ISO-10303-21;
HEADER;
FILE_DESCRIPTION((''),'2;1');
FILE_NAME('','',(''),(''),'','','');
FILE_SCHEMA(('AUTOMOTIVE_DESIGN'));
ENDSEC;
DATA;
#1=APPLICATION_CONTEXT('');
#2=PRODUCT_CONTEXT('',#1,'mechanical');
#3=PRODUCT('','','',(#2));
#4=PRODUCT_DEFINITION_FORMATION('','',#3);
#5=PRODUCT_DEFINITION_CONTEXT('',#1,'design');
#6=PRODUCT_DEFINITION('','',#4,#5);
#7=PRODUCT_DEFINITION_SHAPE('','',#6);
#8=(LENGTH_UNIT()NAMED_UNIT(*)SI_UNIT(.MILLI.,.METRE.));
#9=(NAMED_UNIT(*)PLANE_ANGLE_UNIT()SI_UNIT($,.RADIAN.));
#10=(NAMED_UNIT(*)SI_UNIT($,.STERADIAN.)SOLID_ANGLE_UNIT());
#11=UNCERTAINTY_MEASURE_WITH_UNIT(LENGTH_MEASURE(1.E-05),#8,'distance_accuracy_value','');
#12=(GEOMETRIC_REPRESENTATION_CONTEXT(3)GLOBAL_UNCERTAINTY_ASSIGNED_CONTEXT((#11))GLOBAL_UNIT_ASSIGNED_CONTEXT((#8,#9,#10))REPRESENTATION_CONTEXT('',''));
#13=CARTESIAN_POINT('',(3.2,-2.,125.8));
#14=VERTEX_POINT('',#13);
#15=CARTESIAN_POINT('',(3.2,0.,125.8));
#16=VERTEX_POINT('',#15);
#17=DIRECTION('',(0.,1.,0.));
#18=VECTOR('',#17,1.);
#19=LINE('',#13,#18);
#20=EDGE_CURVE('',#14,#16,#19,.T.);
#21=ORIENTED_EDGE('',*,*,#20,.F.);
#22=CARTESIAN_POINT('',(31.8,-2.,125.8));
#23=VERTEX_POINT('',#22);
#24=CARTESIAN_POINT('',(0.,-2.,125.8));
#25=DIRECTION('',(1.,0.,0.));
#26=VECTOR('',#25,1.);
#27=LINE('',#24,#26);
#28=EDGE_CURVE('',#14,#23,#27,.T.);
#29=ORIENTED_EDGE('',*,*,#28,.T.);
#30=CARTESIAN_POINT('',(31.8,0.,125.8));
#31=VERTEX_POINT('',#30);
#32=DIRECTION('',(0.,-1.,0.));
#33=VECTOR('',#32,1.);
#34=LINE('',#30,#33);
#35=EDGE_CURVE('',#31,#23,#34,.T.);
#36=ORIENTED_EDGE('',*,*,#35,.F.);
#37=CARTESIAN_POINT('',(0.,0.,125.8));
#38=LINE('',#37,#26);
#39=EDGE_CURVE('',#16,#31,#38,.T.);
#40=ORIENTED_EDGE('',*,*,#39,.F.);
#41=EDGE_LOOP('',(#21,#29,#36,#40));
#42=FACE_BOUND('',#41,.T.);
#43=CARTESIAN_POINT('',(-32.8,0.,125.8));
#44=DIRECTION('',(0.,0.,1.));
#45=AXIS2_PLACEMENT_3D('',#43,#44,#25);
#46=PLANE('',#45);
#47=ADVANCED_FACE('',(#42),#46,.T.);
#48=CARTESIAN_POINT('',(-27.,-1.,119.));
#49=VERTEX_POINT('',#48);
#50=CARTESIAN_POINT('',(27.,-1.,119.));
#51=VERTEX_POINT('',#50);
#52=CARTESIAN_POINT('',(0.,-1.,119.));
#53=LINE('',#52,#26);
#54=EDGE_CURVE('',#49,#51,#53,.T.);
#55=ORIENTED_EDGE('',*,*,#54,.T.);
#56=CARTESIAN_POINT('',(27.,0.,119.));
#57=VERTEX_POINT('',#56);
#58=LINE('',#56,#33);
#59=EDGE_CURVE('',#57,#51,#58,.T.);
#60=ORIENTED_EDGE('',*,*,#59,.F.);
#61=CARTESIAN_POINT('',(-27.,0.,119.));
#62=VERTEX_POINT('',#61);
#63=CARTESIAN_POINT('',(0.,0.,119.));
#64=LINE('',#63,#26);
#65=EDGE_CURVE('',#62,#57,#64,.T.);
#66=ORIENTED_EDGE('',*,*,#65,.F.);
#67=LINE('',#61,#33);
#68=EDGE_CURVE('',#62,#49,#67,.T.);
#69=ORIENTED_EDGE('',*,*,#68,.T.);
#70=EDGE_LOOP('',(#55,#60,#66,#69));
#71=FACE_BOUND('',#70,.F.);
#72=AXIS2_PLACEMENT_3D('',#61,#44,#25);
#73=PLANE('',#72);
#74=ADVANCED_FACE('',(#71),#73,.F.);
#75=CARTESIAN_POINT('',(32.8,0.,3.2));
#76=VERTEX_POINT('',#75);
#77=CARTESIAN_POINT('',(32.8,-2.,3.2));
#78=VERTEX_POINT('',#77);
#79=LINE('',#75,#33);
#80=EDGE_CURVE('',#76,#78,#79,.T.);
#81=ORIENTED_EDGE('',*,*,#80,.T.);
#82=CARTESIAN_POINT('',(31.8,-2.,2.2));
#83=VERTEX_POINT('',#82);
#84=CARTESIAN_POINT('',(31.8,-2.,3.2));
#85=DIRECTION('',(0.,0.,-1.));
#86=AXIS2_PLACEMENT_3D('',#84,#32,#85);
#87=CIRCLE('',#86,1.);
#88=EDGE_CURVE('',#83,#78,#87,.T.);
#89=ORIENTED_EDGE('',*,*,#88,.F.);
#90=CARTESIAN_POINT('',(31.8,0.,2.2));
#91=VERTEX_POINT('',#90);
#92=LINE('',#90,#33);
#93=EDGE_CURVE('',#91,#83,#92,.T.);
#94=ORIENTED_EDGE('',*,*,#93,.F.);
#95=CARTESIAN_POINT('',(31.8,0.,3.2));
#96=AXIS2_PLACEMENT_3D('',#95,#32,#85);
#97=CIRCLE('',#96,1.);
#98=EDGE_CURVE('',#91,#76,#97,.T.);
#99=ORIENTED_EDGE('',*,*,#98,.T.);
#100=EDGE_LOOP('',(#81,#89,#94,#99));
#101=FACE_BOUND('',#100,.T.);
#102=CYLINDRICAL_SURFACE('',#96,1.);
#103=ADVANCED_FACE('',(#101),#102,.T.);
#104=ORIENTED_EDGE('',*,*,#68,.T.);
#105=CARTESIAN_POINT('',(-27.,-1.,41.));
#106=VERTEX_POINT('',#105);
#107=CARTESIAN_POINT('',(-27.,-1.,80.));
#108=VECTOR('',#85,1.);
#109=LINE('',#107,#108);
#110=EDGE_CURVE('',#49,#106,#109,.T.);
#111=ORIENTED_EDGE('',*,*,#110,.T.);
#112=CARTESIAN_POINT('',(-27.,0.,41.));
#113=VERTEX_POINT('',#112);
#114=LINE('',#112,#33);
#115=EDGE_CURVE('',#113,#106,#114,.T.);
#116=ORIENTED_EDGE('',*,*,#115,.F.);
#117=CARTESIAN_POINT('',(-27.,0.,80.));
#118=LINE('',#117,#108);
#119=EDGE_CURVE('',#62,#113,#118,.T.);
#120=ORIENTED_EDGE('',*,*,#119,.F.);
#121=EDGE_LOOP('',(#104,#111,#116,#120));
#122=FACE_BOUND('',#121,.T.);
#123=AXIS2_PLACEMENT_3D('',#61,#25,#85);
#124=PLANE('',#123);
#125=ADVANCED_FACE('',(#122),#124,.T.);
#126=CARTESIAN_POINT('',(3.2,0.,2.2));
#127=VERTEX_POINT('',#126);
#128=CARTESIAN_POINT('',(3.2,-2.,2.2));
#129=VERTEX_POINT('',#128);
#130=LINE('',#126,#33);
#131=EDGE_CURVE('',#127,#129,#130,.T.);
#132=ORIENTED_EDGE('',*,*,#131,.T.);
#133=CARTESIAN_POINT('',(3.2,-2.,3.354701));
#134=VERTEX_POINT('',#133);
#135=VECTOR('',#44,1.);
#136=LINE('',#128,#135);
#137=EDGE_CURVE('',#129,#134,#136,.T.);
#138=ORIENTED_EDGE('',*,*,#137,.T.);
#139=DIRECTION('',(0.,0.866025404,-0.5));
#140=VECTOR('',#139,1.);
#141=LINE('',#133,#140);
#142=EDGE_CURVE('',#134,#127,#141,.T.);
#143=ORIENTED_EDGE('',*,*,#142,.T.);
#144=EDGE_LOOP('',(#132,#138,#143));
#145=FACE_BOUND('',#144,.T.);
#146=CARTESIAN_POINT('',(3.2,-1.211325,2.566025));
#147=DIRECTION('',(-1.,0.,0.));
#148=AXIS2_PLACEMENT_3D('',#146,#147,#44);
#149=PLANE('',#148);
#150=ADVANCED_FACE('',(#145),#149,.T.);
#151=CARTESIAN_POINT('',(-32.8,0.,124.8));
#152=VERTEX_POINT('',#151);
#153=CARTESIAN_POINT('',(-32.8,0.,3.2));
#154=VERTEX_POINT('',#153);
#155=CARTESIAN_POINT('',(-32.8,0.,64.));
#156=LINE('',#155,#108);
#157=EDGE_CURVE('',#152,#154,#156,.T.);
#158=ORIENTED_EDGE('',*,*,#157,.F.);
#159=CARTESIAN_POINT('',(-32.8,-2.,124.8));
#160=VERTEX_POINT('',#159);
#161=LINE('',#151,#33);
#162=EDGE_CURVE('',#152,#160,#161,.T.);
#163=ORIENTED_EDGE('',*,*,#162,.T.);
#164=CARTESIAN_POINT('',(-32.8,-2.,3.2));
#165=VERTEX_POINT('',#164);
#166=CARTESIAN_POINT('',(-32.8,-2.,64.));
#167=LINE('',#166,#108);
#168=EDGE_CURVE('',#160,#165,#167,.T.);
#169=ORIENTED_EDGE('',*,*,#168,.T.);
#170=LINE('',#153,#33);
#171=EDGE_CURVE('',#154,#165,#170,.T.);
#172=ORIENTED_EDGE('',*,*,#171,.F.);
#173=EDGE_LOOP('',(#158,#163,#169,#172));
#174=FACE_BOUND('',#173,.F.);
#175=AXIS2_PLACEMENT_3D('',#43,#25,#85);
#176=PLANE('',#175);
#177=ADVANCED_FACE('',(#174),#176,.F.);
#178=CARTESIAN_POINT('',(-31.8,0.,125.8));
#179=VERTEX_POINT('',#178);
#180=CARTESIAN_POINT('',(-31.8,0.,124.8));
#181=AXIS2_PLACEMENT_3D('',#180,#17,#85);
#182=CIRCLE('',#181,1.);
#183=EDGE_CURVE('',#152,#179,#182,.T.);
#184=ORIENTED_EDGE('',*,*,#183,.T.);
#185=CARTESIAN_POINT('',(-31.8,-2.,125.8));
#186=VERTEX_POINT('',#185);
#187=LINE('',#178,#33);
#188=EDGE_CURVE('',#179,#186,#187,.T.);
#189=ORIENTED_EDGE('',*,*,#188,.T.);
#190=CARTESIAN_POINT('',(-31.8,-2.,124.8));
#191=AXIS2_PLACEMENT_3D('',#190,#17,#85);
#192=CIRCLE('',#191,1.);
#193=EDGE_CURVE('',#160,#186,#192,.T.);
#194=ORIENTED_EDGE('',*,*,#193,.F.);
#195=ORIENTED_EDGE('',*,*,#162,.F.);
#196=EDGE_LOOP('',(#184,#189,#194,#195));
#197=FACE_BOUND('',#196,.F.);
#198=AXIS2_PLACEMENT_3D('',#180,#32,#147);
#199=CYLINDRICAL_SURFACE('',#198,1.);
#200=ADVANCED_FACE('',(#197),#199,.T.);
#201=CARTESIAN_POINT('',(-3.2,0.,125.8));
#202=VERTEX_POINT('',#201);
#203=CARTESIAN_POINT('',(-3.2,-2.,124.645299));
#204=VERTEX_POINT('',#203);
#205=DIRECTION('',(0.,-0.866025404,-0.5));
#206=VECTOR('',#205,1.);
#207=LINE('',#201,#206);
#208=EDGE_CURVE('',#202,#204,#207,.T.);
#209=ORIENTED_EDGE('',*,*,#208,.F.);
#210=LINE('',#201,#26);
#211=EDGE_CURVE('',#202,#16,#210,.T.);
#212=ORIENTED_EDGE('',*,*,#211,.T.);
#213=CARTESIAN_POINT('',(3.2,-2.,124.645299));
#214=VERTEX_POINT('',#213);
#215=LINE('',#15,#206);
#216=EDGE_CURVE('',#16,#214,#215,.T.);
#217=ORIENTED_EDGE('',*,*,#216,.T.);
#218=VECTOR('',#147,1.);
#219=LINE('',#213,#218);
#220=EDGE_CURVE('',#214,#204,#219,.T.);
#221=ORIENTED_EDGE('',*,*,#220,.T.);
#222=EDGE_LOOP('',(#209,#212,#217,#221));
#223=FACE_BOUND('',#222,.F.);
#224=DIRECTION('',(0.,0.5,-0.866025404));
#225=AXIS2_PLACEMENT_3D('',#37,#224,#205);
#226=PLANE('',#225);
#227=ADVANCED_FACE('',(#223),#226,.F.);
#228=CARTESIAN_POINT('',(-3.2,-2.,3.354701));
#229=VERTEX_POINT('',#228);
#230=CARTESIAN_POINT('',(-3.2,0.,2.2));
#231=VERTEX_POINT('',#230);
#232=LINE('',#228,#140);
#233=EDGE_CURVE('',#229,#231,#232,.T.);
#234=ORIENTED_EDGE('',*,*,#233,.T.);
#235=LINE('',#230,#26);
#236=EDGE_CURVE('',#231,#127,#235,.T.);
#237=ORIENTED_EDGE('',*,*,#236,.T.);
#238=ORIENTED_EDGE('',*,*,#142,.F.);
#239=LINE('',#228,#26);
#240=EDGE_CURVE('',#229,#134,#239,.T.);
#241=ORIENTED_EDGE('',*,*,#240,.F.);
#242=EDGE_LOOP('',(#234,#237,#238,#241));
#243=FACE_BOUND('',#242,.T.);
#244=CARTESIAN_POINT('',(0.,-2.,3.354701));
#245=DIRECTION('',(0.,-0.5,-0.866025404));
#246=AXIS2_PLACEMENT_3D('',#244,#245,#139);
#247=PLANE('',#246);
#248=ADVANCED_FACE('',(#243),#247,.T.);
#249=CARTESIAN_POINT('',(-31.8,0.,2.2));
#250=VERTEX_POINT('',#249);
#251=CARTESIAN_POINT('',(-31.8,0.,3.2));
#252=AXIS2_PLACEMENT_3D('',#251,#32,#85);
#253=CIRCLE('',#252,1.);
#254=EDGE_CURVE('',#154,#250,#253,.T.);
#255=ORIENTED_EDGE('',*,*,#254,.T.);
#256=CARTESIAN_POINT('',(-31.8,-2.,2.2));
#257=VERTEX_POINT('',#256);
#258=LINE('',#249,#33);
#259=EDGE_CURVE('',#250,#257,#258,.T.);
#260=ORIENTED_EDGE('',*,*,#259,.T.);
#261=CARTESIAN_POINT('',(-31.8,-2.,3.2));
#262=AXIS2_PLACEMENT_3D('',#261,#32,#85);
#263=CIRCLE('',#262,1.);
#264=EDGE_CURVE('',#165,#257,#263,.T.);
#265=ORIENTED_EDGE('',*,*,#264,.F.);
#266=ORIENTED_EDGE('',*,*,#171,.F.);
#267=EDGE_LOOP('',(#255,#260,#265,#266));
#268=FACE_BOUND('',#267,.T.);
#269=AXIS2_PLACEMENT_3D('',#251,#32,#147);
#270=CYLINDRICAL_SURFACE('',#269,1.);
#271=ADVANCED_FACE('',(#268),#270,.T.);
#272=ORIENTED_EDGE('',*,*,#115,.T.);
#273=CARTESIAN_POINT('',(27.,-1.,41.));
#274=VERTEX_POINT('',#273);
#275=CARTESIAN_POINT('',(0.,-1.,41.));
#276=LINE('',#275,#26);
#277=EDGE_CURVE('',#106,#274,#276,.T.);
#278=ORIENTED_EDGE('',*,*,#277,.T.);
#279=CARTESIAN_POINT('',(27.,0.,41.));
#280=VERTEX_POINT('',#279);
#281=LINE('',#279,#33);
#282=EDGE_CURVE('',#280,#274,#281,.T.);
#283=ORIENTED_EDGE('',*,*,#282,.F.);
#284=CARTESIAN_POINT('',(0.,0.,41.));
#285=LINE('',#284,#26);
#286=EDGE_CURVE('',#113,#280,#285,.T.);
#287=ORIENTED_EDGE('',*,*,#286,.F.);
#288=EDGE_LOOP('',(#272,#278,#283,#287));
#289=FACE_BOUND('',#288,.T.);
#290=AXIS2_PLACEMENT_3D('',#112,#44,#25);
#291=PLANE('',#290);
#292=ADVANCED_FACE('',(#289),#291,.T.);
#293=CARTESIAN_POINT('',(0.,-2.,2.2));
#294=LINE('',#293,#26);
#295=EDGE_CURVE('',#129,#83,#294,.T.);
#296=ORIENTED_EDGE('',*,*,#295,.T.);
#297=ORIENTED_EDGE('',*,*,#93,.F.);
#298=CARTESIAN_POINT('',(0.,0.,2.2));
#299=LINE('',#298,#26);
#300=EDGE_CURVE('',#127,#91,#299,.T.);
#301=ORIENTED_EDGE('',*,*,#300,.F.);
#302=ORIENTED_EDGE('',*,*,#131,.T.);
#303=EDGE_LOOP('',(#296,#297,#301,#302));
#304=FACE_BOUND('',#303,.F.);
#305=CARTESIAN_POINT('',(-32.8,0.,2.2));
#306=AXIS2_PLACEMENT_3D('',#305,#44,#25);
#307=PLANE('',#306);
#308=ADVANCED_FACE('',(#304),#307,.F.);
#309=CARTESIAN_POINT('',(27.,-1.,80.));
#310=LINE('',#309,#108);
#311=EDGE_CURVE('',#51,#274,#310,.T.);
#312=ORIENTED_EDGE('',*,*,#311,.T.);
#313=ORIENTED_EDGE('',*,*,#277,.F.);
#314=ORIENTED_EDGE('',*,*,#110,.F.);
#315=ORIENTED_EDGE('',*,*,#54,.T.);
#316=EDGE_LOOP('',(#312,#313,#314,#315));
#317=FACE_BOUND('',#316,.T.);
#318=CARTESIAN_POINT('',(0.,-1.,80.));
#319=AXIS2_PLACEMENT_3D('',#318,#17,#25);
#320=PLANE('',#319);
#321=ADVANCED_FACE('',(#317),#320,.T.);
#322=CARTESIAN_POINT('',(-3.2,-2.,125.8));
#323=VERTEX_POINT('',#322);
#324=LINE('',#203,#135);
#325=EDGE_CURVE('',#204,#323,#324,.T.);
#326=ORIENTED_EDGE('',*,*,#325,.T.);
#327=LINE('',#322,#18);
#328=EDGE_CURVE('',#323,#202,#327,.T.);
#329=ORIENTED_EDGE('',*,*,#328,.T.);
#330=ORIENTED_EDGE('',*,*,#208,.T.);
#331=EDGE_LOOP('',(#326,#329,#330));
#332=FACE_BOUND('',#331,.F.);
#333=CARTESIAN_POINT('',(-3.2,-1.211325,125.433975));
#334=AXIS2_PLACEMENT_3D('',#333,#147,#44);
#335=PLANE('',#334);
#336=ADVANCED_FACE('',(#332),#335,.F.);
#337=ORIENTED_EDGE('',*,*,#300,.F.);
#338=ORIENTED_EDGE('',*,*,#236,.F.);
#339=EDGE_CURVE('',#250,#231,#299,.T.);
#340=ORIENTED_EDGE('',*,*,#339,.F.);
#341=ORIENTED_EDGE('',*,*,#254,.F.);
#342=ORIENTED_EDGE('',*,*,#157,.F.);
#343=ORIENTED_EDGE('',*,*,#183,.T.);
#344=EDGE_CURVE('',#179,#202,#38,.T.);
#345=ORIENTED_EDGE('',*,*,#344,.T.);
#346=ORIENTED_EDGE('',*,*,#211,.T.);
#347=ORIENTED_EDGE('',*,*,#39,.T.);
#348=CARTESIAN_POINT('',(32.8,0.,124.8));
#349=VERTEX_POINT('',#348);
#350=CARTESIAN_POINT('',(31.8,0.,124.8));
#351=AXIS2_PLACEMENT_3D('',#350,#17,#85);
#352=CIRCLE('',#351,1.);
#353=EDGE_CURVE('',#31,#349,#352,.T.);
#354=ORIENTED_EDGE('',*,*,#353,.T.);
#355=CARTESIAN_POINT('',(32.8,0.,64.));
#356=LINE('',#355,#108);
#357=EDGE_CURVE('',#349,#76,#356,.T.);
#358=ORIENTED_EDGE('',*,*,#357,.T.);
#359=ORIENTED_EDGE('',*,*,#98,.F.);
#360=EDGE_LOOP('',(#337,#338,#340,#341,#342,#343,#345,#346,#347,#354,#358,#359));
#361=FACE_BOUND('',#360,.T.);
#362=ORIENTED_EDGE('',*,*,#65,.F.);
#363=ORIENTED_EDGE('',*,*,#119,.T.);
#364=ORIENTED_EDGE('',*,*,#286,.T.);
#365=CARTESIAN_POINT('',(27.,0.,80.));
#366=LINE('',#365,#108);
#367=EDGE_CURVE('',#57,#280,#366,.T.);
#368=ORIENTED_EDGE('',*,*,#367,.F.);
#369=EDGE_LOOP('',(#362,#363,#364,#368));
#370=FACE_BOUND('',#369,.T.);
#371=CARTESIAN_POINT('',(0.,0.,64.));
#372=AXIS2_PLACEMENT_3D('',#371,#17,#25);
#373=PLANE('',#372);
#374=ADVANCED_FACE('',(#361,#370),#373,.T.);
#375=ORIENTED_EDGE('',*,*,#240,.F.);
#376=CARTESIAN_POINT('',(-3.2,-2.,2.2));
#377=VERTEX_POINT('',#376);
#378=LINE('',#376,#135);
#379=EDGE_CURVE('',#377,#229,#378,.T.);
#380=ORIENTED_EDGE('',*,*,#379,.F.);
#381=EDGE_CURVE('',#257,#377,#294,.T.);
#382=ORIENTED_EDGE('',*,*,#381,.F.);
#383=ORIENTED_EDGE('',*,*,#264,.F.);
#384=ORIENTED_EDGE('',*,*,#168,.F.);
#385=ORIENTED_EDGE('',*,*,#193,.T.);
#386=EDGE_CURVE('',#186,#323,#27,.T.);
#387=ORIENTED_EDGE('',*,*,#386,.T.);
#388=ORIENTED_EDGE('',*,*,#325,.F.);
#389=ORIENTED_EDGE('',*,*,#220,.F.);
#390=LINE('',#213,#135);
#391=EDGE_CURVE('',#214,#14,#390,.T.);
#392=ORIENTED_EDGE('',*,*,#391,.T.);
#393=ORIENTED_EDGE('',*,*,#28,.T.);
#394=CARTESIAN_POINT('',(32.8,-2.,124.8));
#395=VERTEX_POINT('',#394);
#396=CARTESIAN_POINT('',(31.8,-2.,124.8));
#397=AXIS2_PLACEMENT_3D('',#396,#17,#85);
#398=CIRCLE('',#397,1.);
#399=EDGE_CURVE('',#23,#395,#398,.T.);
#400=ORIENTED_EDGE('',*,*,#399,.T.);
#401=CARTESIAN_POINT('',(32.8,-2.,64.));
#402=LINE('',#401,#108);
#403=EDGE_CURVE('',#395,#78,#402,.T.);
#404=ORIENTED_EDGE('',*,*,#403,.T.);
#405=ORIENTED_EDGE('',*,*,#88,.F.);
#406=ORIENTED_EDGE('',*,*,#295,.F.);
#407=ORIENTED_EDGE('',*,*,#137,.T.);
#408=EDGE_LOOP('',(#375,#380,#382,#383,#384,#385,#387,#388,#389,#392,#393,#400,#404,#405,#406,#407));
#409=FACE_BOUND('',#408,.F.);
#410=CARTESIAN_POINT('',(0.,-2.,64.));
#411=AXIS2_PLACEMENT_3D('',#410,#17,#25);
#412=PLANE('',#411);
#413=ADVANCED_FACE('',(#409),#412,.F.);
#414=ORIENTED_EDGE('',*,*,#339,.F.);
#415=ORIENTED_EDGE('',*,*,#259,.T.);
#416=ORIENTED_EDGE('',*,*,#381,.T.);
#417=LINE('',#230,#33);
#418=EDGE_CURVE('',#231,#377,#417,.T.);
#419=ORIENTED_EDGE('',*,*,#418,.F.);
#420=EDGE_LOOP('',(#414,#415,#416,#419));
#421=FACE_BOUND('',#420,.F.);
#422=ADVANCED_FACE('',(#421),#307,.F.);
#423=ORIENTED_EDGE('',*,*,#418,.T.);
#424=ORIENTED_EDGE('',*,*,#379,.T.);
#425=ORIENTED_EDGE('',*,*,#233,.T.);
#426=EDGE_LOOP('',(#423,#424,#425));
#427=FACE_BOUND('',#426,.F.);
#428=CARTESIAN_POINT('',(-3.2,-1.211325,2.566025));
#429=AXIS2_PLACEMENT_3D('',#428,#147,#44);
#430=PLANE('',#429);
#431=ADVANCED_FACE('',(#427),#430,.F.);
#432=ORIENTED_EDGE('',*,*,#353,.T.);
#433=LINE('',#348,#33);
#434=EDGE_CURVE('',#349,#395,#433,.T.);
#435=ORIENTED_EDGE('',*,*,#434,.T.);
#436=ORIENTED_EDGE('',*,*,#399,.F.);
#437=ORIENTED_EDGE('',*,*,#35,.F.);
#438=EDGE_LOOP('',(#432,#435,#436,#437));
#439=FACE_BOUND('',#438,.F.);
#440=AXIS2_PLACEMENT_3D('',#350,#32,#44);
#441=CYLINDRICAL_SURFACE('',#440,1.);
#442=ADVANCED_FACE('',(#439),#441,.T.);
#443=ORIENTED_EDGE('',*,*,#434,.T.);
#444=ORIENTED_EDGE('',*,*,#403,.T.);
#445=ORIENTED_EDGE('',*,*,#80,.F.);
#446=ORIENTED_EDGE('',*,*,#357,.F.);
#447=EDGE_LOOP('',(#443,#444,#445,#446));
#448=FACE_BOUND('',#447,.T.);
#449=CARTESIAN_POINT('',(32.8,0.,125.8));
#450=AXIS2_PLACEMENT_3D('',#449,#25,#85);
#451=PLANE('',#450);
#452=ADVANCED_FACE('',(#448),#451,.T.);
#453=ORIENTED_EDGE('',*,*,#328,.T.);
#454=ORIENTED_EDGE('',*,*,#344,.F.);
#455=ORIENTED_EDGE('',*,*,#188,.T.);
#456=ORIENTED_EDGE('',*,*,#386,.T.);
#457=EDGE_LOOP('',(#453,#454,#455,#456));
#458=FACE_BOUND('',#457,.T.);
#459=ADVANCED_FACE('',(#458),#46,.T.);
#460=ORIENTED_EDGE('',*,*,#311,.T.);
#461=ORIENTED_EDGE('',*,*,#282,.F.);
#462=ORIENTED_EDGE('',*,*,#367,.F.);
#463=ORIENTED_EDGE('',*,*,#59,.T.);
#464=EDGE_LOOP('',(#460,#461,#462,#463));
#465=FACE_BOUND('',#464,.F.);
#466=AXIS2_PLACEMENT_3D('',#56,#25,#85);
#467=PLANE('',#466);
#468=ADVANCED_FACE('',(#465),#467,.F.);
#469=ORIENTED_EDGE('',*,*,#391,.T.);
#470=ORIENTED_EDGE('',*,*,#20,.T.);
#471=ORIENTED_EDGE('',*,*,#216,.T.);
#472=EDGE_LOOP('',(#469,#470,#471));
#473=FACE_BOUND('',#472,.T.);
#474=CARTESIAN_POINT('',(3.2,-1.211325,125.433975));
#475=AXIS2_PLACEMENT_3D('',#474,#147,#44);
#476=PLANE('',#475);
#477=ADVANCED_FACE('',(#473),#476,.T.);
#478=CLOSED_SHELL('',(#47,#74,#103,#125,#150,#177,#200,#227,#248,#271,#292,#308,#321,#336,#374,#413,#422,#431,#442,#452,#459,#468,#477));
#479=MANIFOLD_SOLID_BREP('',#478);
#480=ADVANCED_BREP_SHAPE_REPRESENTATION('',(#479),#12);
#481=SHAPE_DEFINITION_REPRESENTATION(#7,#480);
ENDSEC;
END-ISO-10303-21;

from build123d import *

# Parameters (mm, degrees)
SKETCH_1_W          = 65.6
SKETCH_1_H          = 123.6
EXTRUDE_1_DEPTH     = 2
CUT_EXTRUDE_3_DEPTH = 3.2
SKETCH_3_W          = 54
SKETCH_3_H          = 78
CUT_EXTRUDE_2_DEPTH = 1
FILLET_1_R          = 1


with BuildPart() as part:
    # 草图1 → 凸台-拉伸1 (new body)
    with BuildSketch(Plane(origin=(0, 0, 0), x_dir=(1, 0, 0), z_dir=(0, 1, 0))):
        with Locations((0, -64)):
            Rectangle(SKETCH_1_W, SKETCH_1_H)
    extrude(amount=-EXTRUDE_1_DEPTH)

    # 草图4 → 切除-拉伸3 (cut, symmetric)
    with BuildSketch(Plane(origin=(0, 0, 0), x_dir=(0, 0, -1), z_dir=(1, 0, 0))):
        Polygon((-125.8, 0), (-124.645299462, -2), (-125.8, -2), align=None)
        Polygon((-2.2, 0), (-2.2, -2), (-3.354700538, -2), align=None)
    extrude(amount=CUT_EXTRUDE_3_DEPTH, both=True, mode=Mode.SUBTRACT)

    # 草图3 → 切除-拉伸2 (cut)
    with BuildSketch(Plane(origin=(0, 0, 0), x_dir=(1, 0, 0), z_dir=(0, 1, 0))):
        with Locations((0, -80)):
            Rectangle(SKETCH_3_W, SKETCH_3_H)
    extrude(amount=-CUT_EXTRUDE_2_DEPTH, mode=Mode.SUBTRACT)

    # 圆角1
    fillet_1_edges = [part.edges().sort_by_distance(p)[0] for p in [
        (32.8, -1, 125.8),
        (32.8, -1, 2.2),
        (-32.8, -1, 2.2),
        (-32.8, -1, 125.8),
    ]]
    fillet(fillet_1_edges, radius=FILLET_1_R)


solid = part.part
